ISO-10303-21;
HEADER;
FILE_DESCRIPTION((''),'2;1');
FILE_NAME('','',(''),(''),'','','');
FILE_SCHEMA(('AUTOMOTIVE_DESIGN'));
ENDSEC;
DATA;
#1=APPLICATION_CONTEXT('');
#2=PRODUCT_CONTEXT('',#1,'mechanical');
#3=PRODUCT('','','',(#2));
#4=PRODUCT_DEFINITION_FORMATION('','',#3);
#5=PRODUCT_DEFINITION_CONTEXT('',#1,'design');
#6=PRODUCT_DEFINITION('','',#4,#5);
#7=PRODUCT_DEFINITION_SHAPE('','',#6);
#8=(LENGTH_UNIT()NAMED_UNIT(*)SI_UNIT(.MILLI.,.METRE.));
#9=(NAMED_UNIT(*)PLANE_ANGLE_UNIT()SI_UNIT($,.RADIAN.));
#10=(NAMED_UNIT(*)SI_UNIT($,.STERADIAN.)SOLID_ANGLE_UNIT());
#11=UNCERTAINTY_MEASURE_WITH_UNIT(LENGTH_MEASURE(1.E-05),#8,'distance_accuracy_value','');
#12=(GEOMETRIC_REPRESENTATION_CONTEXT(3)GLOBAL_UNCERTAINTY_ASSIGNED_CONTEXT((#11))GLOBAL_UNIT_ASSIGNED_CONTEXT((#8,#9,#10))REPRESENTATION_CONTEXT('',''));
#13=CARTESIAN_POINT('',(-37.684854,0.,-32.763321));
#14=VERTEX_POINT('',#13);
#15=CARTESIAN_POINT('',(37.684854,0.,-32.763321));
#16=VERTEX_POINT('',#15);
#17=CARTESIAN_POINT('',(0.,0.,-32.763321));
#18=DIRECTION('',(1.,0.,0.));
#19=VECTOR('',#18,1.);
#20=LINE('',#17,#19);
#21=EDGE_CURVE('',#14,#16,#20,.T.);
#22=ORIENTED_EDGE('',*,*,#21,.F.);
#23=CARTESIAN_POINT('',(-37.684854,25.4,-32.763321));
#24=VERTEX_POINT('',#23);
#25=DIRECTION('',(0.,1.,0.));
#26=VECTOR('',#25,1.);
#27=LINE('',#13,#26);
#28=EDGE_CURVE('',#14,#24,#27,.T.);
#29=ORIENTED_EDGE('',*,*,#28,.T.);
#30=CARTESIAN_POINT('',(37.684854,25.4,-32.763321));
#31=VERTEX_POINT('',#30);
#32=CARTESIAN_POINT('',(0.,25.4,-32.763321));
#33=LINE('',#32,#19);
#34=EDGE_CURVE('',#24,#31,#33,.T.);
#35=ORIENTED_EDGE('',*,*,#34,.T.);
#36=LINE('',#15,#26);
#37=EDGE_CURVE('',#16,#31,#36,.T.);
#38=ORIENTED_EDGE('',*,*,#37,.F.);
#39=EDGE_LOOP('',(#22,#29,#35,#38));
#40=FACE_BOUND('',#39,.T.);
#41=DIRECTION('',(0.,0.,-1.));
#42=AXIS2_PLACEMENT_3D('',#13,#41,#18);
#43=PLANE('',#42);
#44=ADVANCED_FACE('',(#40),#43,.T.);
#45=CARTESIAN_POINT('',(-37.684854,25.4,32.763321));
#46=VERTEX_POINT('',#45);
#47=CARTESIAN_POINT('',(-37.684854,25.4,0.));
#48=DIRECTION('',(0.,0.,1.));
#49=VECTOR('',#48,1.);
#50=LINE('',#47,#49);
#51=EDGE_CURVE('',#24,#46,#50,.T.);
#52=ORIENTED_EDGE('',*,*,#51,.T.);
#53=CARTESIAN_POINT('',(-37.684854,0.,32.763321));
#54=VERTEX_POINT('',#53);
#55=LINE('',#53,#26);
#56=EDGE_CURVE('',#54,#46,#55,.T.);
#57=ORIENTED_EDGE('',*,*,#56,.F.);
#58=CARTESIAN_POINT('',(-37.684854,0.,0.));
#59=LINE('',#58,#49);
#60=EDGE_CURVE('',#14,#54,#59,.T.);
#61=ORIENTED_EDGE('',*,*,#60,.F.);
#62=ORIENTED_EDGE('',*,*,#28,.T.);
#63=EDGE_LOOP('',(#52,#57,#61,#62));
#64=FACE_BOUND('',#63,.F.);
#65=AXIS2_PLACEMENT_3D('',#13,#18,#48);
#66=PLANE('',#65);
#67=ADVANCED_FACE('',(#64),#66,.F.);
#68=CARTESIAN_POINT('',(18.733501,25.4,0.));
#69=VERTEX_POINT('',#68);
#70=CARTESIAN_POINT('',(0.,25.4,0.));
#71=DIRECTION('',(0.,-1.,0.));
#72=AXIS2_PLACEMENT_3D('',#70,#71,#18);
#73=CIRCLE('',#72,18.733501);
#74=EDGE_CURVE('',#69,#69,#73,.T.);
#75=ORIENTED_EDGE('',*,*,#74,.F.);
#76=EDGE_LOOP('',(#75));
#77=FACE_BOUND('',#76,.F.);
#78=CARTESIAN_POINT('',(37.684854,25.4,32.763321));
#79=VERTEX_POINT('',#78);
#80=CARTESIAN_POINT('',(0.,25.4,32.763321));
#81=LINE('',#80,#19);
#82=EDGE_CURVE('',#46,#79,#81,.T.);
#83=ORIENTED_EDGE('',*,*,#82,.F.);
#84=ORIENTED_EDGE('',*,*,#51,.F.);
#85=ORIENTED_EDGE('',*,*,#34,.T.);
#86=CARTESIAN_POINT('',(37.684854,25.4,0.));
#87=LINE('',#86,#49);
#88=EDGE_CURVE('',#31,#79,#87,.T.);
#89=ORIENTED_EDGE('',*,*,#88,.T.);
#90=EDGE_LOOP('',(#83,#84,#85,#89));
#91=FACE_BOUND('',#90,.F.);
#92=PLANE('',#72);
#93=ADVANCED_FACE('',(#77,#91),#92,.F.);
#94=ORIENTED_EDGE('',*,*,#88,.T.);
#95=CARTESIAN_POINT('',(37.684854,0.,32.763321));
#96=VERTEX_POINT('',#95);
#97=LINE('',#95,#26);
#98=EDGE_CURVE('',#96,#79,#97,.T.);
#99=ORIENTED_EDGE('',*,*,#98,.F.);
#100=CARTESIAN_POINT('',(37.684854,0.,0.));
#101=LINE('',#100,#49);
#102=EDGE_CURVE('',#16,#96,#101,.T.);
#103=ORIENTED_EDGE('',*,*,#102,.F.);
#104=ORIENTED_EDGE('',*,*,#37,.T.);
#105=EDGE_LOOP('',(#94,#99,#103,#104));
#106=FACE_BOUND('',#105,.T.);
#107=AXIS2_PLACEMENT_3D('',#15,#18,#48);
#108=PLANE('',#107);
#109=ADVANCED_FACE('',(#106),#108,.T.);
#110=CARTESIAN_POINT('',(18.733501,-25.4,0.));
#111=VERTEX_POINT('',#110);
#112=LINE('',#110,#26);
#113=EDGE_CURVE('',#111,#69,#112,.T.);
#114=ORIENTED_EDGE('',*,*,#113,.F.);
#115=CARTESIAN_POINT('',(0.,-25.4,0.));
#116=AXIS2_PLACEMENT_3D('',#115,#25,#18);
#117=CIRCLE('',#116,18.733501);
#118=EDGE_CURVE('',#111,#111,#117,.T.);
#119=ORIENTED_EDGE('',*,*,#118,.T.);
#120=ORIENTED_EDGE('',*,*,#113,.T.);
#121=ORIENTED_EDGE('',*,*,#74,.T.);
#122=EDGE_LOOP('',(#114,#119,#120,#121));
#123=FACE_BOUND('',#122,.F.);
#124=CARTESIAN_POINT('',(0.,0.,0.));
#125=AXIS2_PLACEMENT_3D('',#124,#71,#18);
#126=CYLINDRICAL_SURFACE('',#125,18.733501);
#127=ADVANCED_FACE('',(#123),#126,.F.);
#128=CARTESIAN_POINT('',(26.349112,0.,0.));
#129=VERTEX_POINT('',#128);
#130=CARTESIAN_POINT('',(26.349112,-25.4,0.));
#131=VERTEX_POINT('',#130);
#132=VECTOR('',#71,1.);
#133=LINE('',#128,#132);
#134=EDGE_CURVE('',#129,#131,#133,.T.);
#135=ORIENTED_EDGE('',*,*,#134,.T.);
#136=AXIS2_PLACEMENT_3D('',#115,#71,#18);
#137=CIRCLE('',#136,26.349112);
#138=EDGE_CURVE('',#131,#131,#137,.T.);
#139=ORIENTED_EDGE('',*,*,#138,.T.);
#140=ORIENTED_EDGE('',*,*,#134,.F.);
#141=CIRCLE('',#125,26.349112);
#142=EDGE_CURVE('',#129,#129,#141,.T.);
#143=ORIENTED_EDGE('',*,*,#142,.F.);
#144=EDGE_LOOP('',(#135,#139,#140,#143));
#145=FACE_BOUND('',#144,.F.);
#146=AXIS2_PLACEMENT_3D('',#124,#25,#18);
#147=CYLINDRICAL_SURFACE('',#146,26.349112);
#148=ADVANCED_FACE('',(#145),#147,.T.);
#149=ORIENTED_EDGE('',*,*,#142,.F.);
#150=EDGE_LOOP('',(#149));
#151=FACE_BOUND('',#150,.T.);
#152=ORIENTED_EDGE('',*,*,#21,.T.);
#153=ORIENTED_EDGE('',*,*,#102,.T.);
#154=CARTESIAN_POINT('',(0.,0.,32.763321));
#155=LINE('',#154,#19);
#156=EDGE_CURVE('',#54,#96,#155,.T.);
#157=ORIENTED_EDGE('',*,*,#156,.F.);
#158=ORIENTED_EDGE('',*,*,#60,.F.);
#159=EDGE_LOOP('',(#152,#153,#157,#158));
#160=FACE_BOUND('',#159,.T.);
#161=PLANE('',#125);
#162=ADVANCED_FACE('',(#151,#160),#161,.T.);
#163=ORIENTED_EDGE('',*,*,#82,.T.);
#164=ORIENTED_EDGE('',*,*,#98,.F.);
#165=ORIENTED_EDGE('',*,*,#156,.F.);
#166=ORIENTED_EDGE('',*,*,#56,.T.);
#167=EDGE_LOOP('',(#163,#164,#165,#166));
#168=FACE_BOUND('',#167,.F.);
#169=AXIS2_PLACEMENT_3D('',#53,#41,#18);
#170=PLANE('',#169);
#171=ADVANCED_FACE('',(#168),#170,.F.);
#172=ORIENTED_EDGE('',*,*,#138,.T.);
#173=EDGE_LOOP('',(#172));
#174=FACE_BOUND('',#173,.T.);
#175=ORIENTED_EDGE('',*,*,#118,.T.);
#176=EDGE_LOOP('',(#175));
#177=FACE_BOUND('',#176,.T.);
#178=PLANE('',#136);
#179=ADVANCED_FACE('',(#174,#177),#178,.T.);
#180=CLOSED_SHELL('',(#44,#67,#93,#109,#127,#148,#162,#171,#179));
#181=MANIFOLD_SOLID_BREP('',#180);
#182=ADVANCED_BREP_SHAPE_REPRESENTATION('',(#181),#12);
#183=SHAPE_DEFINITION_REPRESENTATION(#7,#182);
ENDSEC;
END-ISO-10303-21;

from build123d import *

# Parameters (mm, degrees)
F0_W     = 75.369708
F0_H     = 65.526642
F1_DEPTH = 25.4
F2_R     = 26.349112
F3_DEPTH = 25.4
F4_R     = 18.733501
F5_DEPTH = 25.401
F6_DEPTH = 25.401


with BuildPart() as f1:
    # F0 (on Front) → F1 (new body)
    with BuildSketch(Plane.XZ):
        Rectangle(F0_W, F0_H)
    extrude(amount=-F1_DEPTH)

    # F2 (on Front) → F3 (join)
    with BuildSketch(Plane.XZ):
        Circle(F2_R)
    extrude(amount=F3_DEPTH)

    # F4 (on Front) → F5 (cut, through all)
    with BuildSketch(Plane.XZ):
        Circle(F4_R)
    extrude(amount=F5_DEPTH, mode=Mode.SUBTRACT)

    # F4 (on Front) → F6 (cut, through all)
    with BuildSketch(Plane.XZ):
        Circle(F4_R)
    extrude(amount=-F6_DEPTH, mode=Mode.SUBTRACT)


solid = f1.part
